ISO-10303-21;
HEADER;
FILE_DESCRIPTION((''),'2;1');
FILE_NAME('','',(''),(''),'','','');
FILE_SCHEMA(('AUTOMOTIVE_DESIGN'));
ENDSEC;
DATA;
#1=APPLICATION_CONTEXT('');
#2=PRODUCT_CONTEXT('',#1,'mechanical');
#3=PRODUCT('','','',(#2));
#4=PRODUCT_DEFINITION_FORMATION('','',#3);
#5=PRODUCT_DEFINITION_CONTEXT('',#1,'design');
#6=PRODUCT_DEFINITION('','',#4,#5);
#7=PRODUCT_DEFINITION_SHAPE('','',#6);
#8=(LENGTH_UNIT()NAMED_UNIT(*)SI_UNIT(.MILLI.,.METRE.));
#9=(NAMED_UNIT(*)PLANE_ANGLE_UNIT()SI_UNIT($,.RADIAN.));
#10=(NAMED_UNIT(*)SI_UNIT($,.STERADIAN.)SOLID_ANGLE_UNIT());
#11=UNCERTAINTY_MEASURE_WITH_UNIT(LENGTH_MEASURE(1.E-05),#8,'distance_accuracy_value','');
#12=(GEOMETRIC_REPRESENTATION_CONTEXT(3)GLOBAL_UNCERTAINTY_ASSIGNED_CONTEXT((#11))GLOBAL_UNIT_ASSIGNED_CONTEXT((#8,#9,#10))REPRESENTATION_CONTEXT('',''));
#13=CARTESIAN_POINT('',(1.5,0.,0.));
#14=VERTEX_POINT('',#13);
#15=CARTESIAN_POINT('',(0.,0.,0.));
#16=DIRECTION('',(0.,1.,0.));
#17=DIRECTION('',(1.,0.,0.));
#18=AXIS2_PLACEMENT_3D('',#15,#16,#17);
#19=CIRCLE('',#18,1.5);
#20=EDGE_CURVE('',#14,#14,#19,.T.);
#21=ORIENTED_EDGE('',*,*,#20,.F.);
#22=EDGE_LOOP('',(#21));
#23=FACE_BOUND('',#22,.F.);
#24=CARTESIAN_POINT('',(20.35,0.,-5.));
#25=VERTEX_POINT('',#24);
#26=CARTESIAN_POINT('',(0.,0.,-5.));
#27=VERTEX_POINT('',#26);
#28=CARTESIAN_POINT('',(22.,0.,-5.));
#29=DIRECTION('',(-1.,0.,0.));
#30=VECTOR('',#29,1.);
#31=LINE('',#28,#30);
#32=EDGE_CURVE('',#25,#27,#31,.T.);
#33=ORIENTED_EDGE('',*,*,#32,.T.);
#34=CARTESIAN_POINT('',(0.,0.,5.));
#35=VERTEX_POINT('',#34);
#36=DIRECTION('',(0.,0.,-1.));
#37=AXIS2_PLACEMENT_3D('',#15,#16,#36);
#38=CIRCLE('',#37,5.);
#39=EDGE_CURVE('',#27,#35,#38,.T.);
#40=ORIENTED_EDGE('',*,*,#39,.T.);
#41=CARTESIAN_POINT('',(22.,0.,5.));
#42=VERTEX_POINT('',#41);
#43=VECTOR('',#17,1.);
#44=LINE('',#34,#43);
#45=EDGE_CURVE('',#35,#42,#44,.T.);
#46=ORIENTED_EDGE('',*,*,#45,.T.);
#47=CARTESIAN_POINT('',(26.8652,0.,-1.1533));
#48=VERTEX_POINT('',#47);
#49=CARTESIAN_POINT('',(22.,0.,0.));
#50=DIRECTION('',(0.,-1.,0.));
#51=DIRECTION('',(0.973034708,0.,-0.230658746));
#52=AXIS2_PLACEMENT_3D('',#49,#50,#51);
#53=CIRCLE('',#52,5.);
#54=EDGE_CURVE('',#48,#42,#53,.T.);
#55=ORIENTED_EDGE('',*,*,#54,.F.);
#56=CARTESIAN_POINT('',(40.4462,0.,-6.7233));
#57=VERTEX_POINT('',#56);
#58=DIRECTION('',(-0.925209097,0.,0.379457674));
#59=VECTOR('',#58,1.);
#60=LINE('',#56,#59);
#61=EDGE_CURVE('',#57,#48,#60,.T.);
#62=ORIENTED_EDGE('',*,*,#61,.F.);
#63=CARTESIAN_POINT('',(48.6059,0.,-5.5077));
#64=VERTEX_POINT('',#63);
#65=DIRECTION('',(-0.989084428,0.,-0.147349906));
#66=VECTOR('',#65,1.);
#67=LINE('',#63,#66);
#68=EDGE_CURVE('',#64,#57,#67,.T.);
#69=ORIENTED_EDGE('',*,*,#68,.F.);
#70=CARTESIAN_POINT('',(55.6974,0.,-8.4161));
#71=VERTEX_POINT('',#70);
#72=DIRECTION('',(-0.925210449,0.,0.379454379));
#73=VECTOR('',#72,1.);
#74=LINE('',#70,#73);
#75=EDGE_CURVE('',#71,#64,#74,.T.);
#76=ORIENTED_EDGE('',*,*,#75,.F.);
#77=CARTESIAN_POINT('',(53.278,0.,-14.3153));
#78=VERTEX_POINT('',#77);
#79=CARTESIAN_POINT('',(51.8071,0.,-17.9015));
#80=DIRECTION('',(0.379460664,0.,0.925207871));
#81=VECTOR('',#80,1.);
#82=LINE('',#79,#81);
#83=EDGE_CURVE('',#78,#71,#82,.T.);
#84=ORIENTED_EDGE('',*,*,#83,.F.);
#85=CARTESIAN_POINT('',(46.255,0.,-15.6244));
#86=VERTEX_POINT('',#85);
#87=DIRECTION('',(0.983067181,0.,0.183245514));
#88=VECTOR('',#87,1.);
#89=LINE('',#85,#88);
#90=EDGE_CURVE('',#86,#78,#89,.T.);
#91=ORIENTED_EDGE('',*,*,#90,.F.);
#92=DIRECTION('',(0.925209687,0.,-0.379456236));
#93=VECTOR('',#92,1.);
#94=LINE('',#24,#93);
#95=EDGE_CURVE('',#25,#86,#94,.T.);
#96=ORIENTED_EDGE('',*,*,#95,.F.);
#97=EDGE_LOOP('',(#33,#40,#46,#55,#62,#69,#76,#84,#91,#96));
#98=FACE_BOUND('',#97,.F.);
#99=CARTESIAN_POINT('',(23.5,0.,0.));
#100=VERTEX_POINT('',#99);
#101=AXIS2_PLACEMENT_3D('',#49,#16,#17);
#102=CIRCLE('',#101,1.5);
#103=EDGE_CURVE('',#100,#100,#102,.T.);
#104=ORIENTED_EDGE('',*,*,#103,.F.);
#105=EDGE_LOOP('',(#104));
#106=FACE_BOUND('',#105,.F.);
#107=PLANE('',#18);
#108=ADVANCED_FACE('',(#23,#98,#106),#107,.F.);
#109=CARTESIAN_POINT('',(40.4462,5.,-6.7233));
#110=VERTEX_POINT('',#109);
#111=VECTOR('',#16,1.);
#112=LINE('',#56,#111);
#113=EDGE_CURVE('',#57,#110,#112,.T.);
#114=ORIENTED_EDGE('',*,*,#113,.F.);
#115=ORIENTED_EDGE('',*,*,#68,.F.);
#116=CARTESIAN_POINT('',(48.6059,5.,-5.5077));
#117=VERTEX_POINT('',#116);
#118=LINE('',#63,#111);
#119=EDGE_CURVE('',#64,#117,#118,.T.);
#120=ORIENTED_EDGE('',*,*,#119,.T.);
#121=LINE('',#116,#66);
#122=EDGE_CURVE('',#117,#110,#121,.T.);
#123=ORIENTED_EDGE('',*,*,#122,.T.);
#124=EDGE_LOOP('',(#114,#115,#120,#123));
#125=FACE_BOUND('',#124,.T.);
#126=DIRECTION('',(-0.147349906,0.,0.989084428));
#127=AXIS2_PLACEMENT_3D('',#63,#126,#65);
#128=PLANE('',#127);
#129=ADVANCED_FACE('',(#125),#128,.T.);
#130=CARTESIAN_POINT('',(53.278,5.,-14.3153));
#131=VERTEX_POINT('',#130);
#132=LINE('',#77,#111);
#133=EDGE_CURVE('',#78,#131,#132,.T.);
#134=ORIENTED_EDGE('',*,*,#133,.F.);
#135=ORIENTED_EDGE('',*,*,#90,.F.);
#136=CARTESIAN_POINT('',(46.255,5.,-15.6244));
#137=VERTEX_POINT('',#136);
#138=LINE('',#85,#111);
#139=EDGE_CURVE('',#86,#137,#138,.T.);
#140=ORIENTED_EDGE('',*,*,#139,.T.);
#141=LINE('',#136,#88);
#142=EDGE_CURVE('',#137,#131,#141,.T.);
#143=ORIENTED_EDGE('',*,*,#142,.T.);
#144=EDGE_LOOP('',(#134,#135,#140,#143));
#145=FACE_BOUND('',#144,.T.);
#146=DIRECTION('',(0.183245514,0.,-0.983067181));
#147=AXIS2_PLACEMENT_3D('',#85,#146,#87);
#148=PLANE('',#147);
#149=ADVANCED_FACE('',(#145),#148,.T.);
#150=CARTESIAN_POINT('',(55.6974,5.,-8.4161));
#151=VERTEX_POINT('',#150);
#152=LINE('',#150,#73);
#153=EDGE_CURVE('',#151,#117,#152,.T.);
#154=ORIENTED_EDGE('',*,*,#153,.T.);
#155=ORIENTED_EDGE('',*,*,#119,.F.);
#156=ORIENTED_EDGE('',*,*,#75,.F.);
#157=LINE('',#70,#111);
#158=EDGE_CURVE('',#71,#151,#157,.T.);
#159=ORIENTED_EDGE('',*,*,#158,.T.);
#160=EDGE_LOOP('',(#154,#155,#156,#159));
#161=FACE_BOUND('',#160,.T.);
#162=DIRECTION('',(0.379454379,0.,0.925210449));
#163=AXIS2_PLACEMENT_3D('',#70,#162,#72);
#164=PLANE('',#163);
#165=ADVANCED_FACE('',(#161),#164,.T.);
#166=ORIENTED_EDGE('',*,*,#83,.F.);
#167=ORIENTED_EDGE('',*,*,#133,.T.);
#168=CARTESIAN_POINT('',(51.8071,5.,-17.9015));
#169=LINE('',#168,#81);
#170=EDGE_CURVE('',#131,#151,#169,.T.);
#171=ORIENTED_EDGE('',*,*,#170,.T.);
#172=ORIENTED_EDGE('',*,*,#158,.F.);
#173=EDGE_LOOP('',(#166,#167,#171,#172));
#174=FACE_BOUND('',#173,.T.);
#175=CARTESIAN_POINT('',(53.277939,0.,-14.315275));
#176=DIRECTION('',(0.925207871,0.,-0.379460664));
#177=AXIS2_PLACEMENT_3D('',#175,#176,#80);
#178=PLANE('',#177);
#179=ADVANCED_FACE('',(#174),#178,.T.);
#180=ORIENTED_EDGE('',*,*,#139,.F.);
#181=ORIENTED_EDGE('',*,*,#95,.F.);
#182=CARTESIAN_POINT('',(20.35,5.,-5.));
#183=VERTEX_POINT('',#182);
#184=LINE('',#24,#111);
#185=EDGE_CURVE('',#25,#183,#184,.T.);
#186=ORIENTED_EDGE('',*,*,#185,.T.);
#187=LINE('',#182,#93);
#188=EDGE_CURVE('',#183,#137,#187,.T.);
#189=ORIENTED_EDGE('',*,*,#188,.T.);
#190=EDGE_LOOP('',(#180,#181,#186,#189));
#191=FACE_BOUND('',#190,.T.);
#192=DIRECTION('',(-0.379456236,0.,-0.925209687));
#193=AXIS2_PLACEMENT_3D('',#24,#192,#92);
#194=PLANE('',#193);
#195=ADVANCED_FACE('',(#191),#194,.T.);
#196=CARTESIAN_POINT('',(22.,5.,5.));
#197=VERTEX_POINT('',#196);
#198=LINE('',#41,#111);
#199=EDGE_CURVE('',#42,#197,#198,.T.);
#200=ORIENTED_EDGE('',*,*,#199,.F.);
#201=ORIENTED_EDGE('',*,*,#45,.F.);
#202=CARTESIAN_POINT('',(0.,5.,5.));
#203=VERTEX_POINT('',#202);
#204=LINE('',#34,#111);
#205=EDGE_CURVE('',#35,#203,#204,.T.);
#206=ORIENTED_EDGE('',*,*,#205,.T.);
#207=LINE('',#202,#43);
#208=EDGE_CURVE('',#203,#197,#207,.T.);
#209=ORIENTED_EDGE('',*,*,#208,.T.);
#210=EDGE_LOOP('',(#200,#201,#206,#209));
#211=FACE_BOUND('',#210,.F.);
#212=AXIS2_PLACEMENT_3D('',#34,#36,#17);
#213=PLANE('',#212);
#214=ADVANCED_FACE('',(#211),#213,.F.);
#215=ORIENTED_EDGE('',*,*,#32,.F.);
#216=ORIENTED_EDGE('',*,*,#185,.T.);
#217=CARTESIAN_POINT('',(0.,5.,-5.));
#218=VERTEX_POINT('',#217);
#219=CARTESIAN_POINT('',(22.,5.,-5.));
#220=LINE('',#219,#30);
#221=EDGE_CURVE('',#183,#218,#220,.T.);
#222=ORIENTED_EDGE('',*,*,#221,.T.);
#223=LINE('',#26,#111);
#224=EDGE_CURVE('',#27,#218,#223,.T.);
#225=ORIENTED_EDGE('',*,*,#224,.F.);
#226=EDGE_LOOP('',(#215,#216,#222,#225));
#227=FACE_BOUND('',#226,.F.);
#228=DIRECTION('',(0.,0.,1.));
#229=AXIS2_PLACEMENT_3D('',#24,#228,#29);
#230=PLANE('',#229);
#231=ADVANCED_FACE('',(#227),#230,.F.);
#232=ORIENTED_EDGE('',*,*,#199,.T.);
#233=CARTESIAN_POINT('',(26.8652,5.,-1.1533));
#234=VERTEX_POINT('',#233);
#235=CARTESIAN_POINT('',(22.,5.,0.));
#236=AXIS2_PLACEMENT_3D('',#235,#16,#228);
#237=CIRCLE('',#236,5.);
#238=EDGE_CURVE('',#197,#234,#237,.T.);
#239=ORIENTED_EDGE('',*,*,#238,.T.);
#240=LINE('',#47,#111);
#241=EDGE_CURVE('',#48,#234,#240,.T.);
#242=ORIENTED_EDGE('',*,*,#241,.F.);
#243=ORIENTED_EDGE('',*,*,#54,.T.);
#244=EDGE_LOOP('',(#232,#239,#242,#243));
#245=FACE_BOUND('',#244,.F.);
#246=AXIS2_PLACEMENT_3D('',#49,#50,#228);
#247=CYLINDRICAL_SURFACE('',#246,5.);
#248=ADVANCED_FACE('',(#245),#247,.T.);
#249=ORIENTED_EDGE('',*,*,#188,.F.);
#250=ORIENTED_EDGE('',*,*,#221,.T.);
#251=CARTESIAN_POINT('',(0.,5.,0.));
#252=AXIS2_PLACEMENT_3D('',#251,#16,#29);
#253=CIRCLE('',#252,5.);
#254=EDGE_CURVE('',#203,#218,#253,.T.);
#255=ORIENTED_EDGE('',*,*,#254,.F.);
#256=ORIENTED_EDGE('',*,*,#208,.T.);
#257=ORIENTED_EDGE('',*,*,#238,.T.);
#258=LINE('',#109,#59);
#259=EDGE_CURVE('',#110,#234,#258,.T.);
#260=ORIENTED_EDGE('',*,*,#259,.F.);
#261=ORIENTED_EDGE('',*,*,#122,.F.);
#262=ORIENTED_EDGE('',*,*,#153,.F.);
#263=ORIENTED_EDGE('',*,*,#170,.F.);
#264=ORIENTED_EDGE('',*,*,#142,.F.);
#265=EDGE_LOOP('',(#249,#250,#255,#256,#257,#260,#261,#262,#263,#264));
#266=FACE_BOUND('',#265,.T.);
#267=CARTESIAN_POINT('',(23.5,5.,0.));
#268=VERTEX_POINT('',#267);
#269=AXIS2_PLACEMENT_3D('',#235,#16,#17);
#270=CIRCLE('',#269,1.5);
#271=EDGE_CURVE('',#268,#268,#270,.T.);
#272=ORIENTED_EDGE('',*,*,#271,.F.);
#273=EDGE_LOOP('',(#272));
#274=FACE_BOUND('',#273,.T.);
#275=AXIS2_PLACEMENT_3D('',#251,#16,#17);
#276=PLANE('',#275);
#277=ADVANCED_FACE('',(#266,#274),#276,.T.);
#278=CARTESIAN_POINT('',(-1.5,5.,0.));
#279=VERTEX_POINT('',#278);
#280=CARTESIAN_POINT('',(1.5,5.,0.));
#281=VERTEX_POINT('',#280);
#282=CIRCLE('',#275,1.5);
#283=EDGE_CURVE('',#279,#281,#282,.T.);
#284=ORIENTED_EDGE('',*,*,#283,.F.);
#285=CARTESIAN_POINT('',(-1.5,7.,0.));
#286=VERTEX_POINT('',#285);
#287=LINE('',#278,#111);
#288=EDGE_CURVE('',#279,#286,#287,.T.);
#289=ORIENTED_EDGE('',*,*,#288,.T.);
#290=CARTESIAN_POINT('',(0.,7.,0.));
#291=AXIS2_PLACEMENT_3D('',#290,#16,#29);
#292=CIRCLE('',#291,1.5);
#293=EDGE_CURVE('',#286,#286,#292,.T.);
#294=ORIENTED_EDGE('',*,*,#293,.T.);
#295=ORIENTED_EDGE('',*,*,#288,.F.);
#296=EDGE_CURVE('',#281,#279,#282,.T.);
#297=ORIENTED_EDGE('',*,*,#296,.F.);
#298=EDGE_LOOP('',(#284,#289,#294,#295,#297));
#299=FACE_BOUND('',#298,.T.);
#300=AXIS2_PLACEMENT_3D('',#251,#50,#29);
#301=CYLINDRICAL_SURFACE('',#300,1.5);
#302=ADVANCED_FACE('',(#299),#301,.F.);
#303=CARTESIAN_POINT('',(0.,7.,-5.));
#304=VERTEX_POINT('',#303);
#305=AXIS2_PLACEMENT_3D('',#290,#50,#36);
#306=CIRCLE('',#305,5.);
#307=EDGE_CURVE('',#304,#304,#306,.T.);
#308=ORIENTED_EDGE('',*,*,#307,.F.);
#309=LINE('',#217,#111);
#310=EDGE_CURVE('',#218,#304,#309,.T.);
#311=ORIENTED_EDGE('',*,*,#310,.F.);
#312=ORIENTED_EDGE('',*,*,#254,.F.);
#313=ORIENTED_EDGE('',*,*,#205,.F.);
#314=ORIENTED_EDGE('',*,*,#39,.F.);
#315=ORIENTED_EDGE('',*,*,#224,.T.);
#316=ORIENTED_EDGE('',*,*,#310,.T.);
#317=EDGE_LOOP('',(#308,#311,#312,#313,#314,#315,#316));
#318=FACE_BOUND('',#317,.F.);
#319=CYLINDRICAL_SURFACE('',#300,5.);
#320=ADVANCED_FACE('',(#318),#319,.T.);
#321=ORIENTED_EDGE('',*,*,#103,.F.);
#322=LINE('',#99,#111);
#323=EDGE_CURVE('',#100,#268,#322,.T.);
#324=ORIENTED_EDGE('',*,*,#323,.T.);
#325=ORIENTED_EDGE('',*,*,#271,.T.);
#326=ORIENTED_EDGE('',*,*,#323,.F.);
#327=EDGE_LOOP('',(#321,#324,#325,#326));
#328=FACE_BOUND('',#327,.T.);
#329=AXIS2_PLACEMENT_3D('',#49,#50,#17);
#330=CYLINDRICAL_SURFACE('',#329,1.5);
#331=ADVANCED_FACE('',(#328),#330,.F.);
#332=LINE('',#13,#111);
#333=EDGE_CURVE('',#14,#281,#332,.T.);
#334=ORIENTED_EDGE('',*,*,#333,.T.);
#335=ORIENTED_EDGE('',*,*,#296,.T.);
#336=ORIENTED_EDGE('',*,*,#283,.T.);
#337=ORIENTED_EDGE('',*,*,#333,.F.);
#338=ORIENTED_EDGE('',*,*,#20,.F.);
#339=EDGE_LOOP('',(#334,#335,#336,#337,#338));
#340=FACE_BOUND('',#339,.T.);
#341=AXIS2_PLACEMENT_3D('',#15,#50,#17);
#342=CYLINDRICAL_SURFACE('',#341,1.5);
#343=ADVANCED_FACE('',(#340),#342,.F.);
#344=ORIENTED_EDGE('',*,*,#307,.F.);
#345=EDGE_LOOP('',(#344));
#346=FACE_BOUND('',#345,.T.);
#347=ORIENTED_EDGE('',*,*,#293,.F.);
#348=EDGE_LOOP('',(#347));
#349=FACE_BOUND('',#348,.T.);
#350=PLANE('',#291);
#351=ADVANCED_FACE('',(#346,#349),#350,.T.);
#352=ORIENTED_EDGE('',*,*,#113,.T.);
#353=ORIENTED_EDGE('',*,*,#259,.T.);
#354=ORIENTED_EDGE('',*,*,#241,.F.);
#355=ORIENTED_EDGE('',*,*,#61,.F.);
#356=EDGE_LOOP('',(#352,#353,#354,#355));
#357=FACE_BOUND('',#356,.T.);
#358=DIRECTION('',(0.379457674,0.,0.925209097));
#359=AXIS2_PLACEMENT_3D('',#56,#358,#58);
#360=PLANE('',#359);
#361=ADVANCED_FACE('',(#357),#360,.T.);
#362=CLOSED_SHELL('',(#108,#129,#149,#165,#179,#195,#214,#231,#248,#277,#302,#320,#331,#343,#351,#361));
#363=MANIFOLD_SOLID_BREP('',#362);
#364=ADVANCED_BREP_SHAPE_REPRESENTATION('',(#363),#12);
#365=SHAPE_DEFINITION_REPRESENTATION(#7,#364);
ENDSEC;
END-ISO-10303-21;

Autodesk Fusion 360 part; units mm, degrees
sketch "Sketch1" plane through (0, 0, 0) normal (0, 1, 0) x (1, 0, 0)
  line L0 (0, -5) -> (22, -5)
  arc A0 (22, -5) -> (22, 5) centre (22, 0) ccw
  line L1 (22, 5) -> (0, 5)
  arc A1 (0, 5) -> (0, -5) centre (0, 0) ccw
  line L2 (0, 0) -> (22, 0) construction
  circle A2 centre (0, 0) radius 1.5
  line L3 (20.35, 5) -> (51.8071, 17.9015)
  line L4 (51.8071, 17.9015) -> (55.6974, 8.4161)
  line L5 (55.6974, 8.4161) -> (23.8973, -4.626)
  line L6 (46.255, 15.6244) -> (53.278, 14.3153)
  line L7 (48.6059, 5.5077) -> (40.4462, 6.7233)
  line L8 (40.4462, 6.7233) -> (26.8652, 1.1533)
  circle A3 centre (22, 0) radius 1.5
  dimension "d1" = 22
  dimension "d3" = 5
  dimension "d4" = 3
  dimension "d5" = 157.7
  dimension "d6" = 34
  dimension "d7" = 1.65
  dimension "d8" = 3
extrude "Extrude1" add sketch "Sketch1" along normal blind 5 contours L0 A0 L1 A1 | A0 L1 L3 L4 L5 L6 L7 L8
sketch "Sketch2" plane through (0, 0, 0) normal (0, 1, 0) x (1, 0, 0)
sketch "Sketch3" plane through (0, 5, 0) normal (0, 1, 0) x (-1, 0, 0)
  circle A0 centre (0, 0) radius 1.5
  circle A1 centre (-22, 0) radius 1.5
  line L0 (-20.35, -5) -> (0, -5)
  arc A2 (0, -5) -> (0, 5) centre (0, 0) ccw
  line L1 (0, 5) -> (-22, 5)
  arc A3 (-22, 5) -> (-26.8652, -1.1533) centre (-22, 0) ccw
  line L2 (-26.8652, -1.1533) -> (-40.4462, -6.7233)
  line L3 (-40.4462, -6.7233) -> (-48.6059, -5.5077)
  line L4 (-48.6059, -5.5077) -> (-55.6974, -8.4161)
  line L5 (-55.6974, -8.4161) -> (-53.278, -14.3153)
  line L6 (-53.278, -14.3153) -> (-46.255, -15.6244)
  line L7 (-46.255, -15.6244) -> (-20.35, -5)
  circle A4 centre (0, 0) radius 5
  dimension "d11" = 10
extrude "Extrude2" add sketch "Sketch3" along normal blind 2 contours A2 A4
